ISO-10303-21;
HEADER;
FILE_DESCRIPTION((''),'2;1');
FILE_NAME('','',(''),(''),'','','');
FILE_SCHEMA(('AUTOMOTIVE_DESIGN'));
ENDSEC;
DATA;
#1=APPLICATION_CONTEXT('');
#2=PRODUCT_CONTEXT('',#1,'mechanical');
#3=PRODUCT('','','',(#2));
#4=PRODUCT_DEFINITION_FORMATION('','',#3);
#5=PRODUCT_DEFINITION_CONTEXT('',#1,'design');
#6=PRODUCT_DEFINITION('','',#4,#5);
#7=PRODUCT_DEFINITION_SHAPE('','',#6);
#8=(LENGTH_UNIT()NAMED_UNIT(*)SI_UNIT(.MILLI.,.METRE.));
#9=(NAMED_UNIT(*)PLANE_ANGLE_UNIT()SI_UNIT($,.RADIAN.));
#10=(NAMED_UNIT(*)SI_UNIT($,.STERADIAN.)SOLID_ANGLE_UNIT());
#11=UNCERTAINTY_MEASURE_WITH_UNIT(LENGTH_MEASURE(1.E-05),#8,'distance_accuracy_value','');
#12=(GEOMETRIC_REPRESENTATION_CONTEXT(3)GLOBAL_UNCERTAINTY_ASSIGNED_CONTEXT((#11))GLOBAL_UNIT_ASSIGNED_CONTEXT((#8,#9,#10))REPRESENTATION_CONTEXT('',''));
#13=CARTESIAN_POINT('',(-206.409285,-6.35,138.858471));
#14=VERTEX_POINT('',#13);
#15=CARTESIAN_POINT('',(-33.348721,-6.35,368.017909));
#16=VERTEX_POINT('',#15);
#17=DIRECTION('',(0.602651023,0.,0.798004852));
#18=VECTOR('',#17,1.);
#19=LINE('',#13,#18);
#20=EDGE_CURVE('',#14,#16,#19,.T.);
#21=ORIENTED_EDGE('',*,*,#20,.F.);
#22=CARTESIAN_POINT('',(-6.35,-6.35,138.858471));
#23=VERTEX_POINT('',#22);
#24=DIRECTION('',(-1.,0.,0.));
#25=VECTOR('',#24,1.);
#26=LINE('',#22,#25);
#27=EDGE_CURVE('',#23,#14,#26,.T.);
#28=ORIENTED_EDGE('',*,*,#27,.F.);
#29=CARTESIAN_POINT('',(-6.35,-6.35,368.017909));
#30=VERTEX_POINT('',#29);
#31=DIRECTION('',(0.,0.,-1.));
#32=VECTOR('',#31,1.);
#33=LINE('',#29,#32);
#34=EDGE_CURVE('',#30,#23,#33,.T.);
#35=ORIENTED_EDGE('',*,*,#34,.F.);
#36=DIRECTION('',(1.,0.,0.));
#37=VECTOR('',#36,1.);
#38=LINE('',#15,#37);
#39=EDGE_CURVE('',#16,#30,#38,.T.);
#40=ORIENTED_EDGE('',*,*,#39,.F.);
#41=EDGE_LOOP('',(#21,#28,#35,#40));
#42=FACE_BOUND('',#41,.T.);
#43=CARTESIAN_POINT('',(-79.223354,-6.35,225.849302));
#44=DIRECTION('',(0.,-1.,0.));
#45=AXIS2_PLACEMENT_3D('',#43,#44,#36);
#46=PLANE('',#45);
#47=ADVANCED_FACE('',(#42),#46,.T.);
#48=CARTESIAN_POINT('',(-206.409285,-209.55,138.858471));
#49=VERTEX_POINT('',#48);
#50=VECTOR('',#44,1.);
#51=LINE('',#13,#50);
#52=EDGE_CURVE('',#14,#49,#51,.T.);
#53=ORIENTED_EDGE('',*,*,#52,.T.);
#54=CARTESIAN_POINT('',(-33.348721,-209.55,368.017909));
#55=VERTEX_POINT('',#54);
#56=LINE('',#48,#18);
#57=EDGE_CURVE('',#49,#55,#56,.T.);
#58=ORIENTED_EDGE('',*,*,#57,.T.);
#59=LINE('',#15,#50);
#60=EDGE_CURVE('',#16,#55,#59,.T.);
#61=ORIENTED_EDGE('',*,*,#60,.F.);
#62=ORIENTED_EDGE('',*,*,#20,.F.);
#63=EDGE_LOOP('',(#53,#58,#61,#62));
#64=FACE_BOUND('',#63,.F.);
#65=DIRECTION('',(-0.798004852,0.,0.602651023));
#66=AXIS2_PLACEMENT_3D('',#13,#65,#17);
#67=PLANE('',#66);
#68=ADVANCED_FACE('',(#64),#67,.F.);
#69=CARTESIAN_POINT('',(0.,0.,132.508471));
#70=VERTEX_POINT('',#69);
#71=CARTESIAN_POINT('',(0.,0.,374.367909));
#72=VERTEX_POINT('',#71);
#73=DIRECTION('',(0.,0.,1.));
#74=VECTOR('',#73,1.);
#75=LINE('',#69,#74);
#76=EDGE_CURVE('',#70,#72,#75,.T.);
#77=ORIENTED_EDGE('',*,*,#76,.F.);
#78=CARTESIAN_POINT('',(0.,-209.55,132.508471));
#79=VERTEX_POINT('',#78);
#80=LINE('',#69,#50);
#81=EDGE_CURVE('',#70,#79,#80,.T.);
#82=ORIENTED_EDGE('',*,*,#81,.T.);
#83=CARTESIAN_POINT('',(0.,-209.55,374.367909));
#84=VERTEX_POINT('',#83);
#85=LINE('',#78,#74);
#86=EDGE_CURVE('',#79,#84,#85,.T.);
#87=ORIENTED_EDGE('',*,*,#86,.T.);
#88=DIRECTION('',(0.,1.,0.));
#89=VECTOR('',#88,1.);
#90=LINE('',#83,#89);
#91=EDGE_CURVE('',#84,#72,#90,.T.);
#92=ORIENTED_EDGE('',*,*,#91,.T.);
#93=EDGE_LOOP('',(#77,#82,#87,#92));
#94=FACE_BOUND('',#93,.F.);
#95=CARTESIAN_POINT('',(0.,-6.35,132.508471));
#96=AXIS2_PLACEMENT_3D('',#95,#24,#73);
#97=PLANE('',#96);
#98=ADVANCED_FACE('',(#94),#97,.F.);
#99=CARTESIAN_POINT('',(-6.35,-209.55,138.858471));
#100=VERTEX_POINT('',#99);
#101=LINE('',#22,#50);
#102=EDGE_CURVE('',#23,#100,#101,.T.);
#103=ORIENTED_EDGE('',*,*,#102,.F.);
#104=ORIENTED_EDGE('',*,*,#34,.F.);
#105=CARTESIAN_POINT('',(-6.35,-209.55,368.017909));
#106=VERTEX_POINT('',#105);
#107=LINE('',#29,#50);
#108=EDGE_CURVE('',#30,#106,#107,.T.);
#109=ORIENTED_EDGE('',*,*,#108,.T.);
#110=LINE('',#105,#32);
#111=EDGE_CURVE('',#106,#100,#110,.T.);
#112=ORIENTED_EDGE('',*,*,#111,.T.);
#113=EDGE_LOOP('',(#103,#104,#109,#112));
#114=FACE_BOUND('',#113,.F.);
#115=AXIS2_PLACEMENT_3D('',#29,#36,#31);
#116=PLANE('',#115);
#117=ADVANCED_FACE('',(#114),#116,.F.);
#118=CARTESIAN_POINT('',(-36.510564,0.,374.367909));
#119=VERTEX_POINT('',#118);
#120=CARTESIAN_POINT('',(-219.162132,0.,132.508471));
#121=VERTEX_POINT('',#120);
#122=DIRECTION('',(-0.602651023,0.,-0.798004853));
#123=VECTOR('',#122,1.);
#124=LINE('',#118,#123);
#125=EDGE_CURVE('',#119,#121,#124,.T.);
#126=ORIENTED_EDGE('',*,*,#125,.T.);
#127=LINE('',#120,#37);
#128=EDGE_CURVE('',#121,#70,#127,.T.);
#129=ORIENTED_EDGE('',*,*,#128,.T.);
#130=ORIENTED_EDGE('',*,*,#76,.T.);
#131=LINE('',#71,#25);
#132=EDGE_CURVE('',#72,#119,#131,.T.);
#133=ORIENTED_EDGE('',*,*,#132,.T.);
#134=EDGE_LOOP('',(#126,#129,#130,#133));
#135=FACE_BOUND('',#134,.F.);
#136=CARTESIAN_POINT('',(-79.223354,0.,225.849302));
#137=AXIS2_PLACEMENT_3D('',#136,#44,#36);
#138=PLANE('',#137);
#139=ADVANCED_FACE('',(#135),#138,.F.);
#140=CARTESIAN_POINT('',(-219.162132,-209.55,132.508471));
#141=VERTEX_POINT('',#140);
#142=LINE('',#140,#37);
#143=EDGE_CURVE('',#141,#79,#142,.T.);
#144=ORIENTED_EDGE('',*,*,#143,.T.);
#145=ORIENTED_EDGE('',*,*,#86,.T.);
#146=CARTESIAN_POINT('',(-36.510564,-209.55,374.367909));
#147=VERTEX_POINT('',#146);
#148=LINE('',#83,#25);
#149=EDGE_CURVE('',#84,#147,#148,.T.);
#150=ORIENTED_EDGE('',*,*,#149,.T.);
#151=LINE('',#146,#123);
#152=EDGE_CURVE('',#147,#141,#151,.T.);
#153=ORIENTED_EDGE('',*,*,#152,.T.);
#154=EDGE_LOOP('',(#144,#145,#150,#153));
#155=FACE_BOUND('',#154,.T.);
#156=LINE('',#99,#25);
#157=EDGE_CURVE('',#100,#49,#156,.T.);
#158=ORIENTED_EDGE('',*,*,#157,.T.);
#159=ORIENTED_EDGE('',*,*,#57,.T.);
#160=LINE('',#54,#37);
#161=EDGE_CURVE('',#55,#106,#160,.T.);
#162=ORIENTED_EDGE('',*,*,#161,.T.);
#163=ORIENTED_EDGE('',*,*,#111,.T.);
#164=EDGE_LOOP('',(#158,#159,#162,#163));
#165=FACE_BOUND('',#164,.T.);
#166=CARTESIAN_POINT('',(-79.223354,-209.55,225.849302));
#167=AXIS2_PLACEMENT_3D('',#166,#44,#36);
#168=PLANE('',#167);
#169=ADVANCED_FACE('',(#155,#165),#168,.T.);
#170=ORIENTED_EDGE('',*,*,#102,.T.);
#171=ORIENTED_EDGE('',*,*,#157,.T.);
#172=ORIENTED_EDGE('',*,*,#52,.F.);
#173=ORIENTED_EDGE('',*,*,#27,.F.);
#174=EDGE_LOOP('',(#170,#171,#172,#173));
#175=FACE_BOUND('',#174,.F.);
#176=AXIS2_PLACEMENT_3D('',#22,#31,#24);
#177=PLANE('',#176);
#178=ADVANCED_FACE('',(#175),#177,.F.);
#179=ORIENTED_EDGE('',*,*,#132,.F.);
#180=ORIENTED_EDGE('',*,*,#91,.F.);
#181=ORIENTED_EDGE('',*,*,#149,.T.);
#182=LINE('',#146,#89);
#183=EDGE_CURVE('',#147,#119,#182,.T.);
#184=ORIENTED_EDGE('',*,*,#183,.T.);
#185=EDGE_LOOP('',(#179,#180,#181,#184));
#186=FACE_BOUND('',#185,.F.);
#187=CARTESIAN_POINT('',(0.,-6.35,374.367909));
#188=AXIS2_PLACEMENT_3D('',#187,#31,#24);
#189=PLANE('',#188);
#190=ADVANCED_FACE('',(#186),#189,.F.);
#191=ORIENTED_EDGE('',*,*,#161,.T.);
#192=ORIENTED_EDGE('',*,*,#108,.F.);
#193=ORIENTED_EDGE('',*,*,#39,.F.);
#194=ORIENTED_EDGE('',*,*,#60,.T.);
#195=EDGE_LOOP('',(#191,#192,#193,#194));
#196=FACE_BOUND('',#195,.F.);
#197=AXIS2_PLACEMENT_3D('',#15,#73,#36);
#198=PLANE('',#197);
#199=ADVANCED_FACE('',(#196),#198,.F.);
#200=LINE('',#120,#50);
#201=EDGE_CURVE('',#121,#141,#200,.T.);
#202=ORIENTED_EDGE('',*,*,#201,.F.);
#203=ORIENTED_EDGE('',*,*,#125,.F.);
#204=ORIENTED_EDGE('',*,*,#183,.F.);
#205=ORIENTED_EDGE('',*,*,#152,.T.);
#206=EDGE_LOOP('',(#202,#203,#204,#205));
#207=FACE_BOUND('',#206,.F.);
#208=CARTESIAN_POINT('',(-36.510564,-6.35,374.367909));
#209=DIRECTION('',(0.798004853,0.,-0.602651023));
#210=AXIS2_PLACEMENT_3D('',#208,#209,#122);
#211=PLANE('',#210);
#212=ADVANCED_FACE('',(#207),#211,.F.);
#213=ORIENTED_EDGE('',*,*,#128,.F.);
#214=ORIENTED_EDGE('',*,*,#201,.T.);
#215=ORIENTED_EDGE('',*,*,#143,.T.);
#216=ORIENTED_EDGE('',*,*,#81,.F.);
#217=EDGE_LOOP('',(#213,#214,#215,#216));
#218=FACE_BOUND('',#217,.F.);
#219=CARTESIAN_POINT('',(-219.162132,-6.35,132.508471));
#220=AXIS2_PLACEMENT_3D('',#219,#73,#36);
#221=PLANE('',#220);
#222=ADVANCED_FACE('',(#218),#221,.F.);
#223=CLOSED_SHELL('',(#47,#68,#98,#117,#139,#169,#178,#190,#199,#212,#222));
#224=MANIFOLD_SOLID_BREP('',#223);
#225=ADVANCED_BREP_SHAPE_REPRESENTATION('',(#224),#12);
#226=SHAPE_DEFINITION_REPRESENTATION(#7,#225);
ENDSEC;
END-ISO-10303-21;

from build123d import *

# Parameters (mm, degrees)
F2_DEPTH = 6.35
F4_DEPTH = 203.2


with BuildPart() as f2:
    # F1 (on Front) → F2 (new body)
    with BuildSketch(Plane.XZ):
        Polygon((-36.510564, 374.367909), (-219.162132, 132.508471), (0, 132.508471), (0, 374.367909), align=None)
    extrude(amount=F2_DEPTH)

    # F3 (on face) → F4 (join)
    with BuildSketch(Plane.XZ.offset(6.35)):
        Polygon((-36.510564, 374.367909), (-219.162132, 132.508471), (0, 132.508471), (0, 374.367909), align=None)
        Polygon((-206.409285, 138.858471), (-33.348721, 368.017909), (-6.35, 368.017909), (-6.35, 138.858471), align=None, mode=Mode.SUBTRACT)
    extrude(amount=F4_DEPTH)


solid = f2.part
